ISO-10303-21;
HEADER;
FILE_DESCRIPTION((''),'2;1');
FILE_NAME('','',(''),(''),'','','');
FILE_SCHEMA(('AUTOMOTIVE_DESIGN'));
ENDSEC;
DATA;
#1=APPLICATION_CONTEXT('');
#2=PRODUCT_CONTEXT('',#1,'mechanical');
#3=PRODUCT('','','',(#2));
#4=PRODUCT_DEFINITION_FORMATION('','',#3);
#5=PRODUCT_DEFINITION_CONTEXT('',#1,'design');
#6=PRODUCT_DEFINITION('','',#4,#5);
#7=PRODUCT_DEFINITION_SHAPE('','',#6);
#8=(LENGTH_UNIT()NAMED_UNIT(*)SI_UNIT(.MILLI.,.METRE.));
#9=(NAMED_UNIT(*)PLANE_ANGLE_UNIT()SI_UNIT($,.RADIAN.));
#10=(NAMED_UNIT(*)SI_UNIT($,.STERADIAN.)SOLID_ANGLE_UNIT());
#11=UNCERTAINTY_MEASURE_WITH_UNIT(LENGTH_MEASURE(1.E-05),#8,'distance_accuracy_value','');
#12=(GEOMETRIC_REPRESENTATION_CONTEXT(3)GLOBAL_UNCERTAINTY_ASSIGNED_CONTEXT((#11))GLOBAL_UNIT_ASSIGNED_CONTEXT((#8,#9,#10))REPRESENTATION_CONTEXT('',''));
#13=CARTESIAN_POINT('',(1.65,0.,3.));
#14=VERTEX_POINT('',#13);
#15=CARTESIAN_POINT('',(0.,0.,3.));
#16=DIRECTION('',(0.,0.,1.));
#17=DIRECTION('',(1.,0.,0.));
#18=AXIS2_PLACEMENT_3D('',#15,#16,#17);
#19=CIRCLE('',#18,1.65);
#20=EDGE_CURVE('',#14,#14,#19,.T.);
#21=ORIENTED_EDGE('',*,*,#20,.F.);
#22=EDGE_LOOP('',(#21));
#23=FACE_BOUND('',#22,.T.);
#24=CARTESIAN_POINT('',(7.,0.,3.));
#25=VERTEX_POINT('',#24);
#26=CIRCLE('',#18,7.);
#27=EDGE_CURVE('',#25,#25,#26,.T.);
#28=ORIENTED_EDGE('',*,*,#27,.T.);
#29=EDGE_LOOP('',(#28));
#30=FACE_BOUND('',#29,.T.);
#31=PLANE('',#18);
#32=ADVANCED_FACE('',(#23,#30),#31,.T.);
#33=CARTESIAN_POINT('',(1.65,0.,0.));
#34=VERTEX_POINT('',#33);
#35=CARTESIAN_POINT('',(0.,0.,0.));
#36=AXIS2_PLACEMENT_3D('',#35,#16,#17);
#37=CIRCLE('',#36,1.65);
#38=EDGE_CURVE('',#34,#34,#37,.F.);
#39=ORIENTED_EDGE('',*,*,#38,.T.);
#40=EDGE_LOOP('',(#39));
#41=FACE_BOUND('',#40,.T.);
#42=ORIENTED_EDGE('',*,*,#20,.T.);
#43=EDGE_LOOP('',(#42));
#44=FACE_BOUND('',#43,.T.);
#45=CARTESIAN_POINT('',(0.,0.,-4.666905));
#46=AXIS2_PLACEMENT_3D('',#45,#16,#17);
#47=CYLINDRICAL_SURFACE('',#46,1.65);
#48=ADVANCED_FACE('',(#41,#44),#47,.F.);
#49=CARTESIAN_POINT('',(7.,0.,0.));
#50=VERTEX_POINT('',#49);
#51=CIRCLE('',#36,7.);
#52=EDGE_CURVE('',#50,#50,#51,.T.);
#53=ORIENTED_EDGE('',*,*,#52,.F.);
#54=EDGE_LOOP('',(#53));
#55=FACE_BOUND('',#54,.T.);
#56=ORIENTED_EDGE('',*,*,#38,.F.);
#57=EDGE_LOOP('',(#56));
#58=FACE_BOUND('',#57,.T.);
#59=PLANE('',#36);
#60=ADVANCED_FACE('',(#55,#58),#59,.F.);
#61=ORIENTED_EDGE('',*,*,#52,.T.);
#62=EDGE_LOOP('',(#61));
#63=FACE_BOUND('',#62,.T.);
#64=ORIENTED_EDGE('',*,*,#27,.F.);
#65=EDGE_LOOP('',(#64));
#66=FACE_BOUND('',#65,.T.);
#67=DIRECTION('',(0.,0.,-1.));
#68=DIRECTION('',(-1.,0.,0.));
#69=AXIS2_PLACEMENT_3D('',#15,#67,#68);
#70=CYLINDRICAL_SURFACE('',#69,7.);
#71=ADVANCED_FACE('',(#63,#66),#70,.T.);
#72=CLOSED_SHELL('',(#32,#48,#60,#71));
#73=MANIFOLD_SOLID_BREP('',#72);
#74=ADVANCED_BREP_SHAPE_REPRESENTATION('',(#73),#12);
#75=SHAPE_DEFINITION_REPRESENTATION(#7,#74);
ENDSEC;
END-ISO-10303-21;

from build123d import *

# Parameters (mm, degrees)
SKETCH1_R           = 7
BOSS_EXTRUDE1_DEPTH = 3
SKETCH2_R           = 1.65
CUT_EXTRUDE1_DEPTH  = 3


with BuildPart() as part:
    # Sketch1 → Boss-Extrude1 (new body)
    with BuildSketch(Plane.XY):
        Circle(SKETCH1_R)
    extrude(amount=BOSS_EXTRUDE1_DEPTH)

    # Sketch2 → Cut-Extrude1 (cut)
    with BuildSketch(Plane.XY.offset(3)):
        Circle(SKETCH2_R)
    extrude(amount=-CUT_EXTRUDE1_DEPTH, mode=Mode.SUBTRACT)


solid = part.part
